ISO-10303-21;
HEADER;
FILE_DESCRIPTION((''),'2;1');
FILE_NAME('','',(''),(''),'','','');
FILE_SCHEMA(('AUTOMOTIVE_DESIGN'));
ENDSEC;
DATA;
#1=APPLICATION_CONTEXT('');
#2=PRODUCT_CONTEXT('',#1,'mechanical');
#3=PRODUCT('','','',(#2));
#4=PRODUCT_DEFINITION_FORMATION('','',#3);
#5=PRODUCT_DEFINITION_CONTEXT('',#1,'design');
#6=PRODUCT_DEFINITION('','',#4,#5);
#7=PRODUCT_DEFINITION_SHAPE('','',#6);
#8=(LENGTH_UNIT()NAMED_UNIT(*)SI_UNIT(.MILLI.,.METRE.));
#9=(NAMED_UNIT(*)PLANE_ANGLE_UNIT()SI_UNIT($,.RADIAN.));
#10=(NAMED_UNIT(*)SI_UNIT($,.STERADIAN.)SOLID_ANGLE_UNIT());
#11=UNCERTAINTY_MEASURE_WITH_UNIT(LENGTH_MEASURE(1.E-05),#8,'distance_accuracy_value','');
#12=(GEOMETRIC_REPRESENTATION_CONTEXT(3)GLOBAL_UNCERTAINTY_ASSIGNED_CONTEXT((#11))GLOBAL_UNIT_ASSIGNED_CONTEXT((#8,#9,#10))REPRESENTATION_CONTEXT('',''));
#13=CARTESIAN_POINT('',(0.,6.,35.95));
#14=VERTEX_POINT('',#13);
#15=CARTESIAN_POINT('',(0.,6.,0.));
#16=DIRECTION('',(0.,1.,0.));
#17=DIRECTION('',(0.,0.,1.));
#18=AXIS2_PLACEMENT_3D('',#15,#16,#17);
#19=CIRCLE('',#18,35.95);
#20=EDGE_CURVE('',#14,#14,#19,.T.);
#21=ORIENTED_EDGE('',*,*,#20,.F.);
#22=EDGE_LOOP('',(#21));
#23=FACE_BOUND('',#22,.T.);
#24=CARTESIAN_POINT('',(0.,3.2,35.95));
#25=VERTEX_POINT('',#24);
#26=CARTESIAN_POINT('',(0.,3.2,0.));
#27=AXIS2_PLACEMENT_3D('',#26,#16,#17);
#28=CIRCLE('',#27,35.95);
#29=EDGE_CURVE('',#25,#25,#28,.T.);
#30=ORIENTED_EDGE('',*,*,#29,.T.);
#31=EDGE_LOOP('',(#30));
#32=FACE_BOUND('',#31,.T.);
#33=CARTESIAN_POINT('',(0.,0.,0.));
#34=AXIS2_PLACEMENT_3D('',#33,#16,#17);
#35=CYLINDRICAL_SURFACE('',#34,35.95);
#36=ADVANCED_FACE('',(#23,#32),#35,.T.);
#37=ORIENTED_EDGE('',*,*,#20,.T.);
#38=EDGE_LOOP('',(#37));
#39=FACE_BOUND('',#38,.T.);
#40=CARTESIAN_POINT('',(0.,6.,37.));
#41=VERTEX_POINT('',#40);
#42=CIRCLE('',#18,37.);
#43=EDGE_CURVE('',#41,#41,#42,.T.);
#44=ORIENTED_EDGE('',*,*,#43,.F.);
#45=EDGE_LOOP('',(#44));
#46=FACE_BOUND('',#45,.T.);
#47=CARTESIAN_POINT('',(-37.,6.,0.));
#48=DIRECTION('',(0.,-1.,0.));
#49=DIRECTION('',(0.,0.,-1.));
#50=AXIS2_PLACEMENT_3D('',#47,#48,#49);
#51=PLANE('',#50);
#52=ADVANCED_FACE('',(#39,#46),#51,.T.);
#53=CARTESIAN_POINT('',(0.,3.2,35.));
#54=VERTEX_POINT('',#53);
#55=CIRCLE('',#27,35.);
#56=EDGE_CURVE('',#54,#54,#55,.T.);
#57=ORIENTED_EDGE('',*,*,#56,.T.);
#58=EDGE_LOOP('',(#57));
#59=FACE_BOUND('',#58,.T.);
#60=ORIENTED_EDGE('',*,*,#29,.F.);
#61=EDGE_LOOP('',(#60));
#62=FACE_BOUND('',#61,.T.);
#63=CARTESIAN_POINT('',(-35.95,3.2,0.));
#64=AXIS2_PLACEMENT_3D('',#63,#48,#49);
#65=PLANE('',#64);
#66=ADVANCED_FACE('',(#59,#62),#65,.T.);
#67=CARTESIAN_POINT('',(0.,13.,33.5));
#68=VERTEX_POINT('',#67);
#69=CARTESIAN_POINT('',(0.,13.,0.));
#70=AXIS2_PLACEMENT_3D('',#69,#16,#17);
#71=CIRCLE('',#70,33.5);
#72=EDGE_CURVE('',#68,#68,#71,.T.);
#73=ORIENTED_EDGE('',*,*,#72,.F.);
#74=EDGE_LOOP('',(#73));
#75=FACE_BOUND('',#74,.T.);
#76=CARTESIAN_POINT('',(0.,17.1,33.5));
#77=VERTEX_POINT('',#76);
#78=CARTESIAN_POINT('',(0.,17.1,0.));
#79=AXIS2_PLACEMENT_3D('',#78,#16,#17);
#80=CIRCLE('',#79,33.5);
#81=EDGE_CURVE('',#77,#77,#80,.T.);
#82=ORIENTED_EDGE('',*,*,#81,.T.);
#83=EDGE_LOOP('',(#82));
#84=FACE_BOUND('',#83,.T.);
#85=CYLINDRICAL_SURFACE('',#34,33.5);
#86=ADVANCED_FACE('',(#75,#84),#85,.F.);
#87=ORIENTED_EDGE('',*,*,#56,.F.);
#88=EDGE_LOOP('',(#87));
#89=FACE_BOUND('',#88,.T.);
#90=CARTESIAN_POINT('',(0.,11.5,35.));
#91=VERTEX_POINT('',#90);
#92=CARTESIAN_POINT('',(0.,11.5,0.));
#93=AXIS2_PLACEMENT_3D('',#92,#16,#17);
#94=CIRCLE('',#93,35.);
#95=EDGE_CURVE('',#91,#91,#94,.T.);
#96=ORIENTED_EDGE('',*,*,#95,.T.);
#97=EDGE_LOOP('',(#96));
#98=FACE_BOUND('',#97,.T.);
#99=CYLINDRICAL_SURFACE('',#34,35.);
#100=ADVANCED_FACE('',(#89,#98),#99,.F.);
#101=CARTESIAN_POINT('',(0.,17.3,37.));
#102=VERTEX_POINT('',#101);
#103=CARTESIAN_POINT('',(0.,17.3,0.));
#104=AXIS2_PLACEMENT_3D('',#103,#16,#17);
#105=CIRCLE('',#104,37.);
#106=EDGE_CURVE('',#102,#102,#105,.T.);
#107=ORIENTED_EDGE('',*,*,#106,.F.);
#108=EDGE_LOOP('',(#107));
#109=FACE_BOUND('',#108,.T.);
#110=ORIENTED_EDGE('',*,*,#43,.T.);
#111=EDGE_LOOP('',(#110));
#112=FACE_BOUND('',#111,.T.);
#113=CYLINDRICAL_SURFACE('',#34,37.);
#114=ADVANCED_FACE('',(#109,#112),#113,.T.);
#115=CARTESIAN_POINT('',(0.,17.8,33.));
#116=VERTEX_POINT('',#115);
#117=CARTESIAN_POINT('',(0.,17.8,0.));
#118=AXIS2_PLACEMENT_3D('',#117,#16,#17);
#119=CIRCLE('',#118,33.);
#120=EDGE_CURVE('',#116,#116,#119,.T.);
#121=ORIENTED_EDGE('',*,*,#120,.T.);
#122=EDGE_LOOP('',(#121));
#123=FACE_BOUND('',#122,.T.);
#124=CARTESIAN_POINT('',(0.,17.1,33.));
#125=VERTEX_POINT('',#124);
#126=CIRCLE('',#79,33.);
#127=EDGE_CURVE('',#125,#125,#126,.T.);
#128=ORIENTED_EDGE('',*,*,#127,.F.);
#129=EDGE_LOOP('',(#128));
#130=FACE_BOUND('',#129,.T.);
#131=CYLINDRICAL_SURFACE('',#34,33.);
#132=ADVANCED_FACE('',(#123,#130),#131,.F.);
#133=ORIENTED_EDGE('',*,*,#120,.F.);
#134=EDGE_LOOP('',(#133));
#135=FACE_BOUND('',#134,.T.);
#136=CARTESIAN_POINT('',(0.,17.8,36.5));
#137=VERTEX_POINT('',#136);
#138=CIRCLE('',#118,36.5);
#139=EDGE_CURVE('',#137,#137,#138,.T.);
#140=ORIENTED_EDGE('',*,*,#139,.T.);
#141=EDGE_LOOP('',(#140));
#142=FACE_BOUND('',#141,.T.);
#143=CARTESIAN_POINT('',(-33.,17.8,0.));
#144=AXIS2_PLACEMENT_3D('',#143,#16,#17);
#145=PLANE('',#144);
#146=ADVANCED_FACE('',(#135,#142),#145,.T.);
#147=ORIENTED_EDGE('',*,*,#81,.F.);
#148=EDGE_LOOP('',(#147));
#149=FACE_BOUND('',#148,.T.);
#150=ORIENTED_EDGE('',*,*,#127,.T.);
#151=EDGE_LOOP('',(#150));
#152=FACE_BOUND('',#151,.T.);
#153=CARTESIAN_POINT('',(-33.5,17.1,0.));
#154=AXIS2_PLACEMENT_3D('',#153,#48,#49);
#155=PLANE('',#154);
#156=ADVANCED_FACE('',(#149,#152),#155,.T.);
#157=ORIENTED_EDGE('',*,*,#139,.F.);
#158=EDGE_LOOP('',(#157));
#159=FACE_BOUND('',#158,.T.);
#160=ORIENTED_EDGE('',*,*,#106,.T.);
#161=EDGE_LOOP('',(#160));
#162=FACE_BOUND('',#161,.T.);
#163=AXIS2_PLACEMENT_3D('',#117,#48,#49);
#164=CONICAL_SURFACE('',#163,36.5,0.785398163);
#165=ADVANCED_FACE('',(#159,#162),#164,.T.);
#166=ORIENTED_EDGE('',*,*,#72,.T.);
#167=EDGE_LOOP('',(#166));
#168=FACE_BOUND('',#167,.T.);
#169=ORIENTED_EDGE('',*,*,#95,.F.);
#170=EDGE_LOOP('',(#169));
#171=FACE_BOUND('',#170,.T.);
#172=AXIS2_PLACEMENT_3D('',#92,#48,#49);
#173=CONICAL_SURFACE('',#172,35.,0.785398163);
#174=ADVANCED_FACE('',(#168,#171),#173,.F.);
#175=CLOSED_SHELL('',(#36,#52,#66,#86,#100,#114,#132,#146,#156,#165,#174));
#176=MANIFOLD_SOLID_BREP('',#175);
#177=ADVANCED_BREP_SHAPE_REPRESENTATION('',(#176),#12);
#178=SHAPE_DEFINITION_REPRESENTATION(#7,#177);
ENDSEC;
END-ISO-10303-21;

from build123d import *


with BuildPart() as part:
    # Sketch1 → Revolve1 (revolve)
    with BuildSketch(Plane.XY):
        Polygon((-35, 3.2), (-35, 11.5), (-33.5, 13), (-33.5, 17.1), (-33, 17.1), (-33, 17.8), (-36.5, 17.8), (-37, 17.3), (-37, 6), (-35.95, 6), (-35.95, 3.2), align=None)
    revolve(axis=Axis((0, 0, 0), (0, -1, 0)))


solid = part.part
